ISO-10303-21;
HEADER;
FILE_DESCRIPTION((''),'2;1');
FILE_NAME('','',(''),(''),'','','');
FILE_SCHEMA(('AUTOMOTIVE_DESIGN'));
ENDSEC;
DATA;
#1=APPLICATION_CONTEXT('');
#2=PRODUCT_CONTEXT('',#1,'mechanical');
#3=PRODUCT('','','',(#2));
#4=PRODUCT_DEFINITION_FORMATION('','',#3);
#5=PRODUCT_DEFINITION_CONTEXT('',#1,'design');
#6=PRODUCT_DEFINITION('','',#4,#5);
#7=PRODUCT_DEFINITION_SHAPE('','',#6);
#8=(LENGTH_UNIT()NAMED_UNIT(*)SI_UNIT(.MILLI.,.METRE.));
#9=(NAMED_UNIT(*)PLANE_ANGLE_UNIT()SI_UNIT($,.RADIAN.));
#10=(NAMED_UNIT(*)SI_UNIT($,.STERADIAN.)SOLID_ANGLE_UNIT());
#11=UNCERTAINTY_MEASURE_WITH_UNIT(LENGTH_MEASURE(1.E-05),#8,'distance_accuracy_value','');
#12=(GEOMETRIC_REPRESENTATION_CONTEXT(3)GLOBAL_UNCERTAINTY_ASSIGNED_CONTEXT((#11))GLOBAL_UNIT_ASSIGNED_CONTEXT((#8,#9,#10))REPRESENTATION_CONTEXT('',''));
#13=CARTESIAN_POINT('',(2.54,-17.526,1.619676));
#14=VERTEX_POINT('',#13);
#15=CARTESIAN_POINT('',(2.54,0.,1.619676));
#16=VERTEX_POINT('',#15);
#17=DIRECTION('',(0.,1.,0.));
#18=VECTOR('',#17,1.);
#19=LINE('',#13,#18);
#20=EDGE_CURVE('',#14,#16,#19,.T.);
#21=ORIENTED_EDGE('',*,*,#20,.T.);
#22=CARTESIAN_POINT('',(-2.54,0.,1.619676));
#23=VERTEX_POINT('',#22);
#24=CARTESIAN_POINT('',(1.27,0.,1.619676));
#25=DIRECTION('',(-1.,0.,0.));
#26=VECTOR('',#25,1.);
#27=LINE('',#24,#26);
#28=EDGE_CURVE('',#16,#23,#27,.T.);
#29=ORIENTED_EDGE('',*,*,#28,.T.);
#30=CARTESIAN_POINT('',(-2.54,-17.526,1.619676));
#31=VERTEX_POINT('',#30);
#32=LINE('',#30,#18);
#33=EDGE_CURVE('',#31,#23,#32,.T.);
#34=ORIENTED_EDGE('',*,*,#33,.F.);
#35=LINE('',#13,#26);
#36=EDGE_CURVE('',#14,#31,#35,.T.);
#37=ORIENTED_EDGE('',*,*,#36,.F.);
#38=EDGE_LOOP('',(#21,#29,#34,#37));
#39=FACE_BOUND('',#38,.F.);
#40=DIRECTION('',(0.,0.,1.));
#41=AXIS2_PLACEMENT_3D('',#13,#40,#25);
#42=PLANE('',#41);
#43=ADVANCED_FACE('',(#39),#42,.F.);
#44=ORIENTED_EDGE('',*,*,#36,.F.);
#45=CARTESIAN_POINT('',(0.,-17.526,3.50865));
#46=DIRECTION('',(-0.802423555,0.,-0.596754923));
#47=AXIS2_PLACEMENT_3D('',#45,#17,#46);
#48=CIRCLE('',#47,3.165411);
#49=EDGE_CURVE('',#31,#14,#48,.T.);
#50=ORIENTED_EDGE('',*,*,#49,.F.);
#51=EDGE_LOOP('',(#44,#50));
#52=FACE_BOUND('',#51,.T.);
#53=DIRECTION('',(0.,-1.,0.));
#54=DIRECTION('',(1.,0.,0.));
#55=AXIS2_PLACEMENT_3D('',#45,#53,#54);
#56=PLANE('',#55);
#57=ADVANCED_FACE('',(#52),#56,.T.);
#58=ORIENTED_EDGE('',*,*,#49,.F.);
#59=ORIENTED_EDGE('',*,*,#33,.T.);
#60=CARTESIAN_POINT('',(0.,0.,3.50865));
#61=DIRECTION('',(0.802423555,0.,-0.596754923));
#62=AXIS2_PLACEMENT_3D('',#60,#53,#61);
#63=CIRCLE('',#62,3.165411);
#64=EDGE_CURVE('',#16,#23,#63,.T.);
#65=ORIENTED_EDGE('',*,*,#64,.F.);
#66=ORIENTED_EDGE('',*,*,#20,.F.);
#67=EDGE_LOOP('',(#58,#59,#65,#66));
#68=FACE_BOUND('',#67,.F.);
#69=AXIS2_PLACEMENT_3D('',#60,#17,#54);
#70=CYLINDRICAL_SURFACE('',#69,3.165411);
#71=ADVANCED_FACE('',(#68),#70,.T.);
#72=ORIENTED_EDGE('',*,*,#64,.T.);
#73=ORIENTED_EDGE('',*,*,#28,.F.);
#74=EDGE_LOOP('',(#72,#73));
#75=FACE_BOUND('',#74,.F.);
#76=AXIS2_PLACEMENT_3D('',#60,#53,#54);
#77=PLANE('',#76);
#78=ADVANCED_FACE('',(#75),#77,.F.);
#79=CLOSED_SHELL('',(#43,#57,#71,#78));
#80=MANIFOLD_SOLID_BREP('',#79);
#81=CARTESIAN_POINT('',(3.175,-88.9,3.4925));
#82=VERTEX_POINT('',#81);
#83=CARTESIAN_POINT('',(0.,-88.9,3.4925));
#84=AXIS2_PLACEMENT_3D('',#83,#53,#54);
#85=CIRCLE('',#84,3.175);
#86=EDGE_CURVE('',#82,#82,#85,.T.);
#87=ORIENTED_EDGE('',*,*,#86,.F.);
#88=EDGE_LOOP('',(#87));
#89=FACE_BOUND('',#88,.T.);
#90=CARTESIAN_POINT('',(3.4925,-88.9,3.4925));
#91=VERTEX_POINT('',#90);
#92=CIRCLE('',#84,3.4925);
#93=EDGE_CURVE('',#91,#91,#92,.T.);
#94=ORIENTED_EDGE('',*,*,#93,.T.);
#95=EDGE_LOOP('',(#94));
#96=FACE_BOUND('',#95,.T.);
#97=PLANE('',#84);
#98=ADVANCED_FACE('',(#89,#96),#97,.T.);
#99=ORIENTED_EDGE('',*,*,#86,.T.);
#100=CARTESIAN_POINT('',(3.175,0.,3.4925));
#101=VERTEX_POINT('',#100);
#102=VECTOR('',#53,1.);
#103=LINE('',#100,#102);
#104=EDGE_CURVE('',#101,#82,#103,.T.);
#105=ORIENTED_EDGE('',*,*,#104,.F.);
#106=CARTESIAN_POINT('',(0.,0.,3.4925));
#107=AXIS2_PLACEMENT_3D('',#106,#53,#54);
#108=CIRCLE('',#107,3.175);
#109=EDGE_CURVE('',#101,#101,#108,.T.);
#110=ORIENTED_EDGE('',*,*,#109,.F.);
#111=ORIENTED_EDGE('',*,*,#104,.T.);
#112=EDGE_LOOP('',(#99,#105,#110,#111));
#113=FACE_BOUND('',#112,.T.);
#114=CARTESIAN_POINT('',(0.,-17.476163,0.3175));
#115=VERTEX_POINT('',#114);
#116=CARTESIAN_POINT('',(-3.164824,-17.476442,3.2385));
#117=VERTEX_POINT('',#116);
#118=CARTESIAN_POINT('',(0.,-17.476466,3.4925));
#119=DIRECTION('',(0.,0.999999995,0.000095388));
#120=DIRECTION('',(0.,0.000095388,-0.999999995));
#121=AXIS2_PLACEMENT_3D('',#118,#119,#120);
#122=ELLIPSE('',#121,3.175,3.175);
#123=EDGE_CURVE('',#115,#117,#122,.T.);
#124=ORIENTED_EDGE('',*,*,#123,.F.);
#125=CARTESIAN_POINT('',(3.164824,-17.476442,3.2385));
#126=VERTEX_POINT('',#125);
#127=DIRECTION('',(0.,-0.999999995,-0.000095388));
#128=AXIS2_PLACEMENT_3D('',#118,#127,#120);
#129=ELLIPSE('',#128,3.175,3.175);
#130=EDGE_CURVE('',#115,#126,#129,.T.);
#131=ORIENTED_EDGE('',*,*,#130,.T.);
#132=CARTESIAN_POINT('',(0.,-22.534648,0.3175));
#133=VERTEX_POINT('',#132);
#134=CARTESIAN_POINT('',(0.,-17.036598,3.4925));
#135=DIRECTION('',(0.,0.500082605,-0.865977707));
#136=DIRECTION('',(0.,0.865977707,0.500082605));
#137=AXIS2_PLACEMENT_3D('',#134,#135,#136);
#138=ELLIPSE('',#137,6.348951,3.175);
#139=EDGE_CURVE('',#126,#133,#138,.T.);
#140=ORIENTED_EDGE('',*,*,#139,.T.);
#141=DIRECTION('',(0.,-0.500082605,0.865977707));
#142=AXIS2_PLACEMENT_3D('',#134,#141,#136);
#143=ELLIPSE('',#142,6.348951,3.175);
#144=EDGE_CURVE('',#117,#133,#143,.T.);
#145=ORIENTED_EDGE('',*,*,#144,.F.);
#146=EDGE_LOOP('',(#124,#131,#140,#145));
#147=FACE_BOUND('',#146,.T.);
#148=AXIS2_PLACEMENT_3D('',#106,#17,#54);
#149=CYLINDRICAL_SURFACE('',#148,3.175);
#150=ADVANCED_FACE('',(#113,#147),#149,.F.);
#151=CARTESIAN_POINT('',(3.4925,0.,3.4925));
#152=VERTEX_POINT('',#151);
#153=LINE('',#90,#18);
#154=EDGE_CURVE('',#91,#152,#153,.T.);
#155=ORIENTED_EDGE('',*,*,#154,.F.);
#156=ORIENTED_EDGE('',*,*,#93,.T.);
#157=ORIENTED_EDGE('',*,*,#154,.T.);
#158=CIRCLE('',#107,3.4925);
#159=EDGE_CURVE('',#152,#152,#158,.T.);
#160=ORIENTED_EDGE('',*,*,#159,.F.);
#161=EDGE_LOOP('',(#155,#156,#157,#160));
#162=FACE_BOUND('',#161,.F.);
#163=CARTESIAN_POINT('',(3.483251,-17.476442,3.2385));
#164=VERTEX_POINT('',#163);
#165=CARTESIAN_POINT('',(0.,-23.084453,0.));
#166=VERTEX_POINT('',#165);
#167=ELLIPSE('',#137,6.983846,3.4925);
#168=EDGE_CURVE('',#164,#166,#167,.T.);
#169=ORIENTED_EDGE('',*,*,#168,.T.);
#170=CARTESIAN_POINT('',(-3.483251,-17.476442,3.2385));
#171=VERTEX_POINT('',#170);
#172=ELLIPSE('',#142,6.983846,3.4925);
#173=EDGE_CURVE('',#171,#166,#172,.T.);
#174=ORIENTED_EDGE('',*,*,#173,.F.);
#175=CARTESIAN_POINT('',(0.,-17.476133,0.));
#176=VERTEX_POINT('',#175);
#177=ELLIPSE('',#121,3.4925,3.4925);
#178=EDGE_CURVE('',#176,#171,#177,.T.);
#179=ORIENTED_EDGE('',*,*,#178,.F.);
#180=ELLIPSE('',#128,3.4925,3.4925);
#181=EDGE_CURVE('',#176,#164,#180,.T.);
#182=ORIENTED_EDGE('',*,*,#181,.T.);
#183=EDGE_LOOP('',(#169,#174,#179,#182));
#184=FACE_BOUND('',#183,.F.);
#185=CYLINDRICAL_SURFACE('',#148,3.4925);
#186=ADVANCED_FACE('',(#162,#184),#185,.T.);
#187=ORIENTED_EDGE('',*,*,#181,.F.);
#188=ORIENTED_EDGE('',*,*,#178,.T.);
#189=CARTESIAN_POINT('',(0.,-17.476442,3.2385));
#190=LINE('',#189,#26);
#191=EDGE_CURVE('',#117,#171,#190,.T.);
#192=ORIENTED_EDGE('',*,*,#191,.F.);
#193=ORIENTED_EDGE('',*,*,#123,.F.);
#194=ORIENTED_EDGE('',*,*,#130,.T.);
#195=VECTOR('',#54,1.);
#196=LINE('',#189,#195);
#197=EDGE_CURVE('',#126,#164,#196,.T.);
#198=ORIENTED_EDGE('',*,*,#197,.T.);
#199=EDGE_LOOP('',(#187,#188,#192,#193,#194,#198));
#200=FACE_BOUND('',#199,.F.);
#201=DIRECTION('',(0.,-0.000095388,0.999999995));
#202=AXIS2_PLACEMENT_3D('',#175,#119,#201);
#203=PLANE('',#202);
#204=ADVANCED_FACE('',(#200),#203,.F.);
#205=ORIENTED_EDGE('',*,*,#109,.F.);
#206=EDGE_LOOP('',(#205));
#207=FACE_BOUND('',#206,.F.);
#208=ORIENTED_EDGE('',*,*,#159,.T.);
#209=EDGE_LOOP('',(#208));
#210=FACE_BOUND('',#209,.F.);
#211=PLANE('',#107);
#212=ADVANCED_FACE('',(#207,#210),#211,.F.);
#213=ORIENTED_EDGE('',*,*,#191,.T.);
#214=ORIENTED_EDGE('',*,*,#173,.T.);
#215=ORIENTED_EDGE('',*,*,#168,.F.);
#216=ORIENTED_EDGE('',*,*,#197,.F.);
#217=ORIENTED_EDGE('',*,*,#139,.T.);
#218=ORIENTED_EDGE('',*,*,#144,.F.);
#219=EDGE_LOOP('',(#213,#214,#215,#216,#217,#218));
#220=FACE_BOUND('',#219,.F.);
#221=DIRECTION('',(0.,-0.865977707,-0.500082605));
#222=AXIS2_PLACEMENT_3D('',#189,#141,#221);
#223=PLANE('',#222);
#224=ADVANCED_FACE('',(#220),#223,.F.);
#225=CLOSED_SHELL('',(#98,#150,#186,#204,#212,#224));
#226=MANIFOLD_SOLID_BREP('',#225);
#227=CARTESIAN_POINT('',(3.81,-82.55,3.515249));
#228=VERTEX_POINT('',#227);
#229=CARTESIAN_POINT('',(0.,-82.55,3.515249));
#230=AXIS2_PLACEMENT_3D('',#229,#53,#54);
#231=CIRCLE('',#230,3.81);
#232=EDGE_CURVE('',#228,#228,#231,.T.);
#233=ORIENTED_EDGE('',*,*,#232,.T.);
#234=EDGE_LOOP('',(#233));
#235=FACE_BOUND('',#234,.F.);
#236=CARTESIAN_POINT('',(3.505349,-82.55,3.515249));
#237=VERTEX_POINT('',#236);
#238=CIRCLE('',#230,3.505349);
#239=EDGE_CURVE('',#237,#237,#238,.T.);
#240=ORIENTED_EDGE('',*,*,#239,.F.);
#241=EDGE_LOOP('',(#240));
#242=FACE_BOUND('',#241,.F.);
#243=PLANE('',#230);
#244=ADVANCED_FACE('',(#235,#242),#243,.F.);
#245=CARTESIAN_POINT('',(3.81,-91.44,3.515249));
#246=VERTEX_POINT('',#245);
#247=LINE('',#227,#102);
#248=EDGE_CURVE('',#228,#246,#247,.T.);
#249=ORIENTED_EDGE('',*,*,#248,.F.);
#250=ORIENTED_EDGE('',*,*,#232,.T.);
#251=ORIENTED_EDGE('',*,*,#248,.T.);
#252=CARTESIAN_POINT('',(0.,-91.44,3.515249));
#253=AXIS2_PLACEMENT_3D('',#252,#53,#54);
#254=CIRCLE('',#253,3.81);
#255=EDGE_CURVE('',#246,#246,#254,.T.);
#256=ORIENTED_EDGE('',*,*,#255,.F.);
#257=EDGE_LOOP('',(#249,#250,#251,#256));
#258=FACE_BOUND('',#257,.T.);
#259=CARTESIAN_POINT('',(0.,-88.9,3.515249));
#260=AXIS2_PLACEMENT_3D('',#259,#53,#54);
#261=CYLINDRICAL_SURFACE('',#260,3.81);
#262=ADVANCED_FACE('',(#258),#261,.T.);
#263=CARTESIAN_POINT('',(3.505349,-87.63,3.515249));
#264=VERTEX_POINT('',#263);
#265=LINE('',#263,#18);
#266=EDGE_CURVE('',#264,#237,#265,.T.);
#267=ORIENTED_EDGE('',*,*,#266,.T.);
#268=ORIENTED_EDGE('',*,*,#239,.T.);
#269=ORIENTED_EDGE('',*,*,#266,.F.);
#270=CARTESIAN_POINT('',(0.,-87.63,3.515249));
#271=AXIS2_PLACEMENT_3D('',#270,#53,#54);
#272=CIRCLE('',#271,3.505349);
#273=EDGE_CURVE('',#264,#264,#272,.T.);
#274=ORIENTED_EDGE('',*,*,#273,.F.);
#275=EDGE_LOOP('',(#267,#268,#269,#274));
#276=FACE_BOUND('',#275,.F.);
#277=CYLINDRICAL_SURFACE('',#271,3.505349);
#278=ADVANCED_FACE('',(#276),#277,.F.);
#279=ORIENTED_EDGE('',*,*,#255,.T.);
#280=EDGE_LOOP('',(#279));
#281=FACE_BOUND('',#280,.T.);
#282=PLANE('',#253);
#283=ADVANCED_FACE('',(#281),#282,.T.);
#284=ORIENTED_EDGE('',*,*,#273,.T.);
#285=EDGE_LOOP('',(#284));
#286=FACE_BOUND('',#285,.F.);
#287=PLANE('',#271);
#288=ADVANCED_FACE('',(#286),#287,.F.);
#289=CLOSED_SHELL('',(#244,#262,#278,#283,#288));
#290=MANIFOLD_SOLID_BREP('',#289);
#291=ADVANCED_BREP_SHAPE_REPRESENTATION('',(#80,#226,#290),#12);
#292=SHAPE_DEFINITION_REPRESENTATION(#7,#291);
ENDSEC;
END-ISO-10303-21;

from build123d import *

# Parameters (mm, degrees)
F0_R           = 3.4925
F0_R_2         = 3.175
F2_DEPTH       = 88.9
F3_DEPTH       = 25.4
F4_DEPTH       = 25.4
F4_DEPTH_BACK  = 25.4
F5_R           = 3.1654105668
F6_DEPTH       = 17.526
F8_DEPTH       = 17.78
F10_R          = 3.81
F11_DEPTH      = 2.54
F11_DEPTH_BACK = 6.35
F13_START      = -1.27
F12_R          = 3.505349202
F13_DEPTH      = 5.08


with BuildPart() as f2:
    # F0 (on Front) → F2 (new body)
    with BuildSketch(Plane.XZ):
        with Locations((0, 3.4925)):
            Circle(F0_R)
        with Locations((0, 3.4925)):
            Circle(F0_R_2, mode=Mode.SUBTRACT)
    extrude(amount=F2_DEPTH)

    # F0 (on Front) → F3 (join)
    with BuildSketch(Plane.XZ):
        with Locations((0, 3.4925)):
            Circle(F0_R)
        with Locations((0, 3.4925)):
            Circle(F0_R_2, mode=Mode.SUBTRACT)
    extrude(amount=F3_DEPTH)

    # F1 (on Right) → F4 (cut, two sides)
    with BuildSketch(Plane.YZ) as f4_sk:
        Polygon((-17.4764418069, -3.2384999853), (-17.4761328944, 0), (-23.0844528944, 0), align=None)
        Polygon((-23.0844528944, 0), (-17.4761328944, 0), (-17.4764418069, 3.2384999853), align=None)
    extrude(amount=-F4_DEPTH, mode=Mode.SUBTRACT)
    extrude(f4_sk.sketch, amount=F4_DEPTH_BACK, mode=Mode.SUBTRACT)


with BuildPart() as f6:
    # F5 (on Front) → F6 (new body)
    with BuildSketch(Plane.XZ):
        with Locations((0, 3.5086502321)):
            Circle(F5_R)
    extrude(amount=F6_DEPTH)

    # F7 (on face) → F8 (cut)
    with BuildSketch(Plane.XZ.offset(17.526)):
        with BuildLine():
            ThreePointArc((-2.54, 1.6196758924), (0, 0.3358029715), (2.54, 1.6196758924))
            Line((2.54, 1.6196758924), (-2.54, 1.6196758924))
        make_face()
    extrude(amount=-F8_DEPTH, mode=Mode.SUBTRACT)


with BuildPart() as f11:
    # F10 (on offset) → F11 (new body, two sides)
    with BuildSketch(Plane.XZ.offset(88.9)) as f11_sk:
        with Locations((0, 3.5152491958)):
            Circle(F10_R)
    extrude(amount=F11_DEPTH)
    extrude(f11_sk.sketch, amount=-F11_DEPTH_BACK)

    # F12 (on offset) → F13 (cut)
    with BuildSketch(Plane.XZ.offset(88.9).offset(F13_START)):
        with Locations((0, 3.5152491958)):
            Circle(F12_R)
    extrude(amount=-F13_DEPTH, mode=Mode.SUBTRACT)


solid = Compound([f2.part, f6.part, f11.part])
